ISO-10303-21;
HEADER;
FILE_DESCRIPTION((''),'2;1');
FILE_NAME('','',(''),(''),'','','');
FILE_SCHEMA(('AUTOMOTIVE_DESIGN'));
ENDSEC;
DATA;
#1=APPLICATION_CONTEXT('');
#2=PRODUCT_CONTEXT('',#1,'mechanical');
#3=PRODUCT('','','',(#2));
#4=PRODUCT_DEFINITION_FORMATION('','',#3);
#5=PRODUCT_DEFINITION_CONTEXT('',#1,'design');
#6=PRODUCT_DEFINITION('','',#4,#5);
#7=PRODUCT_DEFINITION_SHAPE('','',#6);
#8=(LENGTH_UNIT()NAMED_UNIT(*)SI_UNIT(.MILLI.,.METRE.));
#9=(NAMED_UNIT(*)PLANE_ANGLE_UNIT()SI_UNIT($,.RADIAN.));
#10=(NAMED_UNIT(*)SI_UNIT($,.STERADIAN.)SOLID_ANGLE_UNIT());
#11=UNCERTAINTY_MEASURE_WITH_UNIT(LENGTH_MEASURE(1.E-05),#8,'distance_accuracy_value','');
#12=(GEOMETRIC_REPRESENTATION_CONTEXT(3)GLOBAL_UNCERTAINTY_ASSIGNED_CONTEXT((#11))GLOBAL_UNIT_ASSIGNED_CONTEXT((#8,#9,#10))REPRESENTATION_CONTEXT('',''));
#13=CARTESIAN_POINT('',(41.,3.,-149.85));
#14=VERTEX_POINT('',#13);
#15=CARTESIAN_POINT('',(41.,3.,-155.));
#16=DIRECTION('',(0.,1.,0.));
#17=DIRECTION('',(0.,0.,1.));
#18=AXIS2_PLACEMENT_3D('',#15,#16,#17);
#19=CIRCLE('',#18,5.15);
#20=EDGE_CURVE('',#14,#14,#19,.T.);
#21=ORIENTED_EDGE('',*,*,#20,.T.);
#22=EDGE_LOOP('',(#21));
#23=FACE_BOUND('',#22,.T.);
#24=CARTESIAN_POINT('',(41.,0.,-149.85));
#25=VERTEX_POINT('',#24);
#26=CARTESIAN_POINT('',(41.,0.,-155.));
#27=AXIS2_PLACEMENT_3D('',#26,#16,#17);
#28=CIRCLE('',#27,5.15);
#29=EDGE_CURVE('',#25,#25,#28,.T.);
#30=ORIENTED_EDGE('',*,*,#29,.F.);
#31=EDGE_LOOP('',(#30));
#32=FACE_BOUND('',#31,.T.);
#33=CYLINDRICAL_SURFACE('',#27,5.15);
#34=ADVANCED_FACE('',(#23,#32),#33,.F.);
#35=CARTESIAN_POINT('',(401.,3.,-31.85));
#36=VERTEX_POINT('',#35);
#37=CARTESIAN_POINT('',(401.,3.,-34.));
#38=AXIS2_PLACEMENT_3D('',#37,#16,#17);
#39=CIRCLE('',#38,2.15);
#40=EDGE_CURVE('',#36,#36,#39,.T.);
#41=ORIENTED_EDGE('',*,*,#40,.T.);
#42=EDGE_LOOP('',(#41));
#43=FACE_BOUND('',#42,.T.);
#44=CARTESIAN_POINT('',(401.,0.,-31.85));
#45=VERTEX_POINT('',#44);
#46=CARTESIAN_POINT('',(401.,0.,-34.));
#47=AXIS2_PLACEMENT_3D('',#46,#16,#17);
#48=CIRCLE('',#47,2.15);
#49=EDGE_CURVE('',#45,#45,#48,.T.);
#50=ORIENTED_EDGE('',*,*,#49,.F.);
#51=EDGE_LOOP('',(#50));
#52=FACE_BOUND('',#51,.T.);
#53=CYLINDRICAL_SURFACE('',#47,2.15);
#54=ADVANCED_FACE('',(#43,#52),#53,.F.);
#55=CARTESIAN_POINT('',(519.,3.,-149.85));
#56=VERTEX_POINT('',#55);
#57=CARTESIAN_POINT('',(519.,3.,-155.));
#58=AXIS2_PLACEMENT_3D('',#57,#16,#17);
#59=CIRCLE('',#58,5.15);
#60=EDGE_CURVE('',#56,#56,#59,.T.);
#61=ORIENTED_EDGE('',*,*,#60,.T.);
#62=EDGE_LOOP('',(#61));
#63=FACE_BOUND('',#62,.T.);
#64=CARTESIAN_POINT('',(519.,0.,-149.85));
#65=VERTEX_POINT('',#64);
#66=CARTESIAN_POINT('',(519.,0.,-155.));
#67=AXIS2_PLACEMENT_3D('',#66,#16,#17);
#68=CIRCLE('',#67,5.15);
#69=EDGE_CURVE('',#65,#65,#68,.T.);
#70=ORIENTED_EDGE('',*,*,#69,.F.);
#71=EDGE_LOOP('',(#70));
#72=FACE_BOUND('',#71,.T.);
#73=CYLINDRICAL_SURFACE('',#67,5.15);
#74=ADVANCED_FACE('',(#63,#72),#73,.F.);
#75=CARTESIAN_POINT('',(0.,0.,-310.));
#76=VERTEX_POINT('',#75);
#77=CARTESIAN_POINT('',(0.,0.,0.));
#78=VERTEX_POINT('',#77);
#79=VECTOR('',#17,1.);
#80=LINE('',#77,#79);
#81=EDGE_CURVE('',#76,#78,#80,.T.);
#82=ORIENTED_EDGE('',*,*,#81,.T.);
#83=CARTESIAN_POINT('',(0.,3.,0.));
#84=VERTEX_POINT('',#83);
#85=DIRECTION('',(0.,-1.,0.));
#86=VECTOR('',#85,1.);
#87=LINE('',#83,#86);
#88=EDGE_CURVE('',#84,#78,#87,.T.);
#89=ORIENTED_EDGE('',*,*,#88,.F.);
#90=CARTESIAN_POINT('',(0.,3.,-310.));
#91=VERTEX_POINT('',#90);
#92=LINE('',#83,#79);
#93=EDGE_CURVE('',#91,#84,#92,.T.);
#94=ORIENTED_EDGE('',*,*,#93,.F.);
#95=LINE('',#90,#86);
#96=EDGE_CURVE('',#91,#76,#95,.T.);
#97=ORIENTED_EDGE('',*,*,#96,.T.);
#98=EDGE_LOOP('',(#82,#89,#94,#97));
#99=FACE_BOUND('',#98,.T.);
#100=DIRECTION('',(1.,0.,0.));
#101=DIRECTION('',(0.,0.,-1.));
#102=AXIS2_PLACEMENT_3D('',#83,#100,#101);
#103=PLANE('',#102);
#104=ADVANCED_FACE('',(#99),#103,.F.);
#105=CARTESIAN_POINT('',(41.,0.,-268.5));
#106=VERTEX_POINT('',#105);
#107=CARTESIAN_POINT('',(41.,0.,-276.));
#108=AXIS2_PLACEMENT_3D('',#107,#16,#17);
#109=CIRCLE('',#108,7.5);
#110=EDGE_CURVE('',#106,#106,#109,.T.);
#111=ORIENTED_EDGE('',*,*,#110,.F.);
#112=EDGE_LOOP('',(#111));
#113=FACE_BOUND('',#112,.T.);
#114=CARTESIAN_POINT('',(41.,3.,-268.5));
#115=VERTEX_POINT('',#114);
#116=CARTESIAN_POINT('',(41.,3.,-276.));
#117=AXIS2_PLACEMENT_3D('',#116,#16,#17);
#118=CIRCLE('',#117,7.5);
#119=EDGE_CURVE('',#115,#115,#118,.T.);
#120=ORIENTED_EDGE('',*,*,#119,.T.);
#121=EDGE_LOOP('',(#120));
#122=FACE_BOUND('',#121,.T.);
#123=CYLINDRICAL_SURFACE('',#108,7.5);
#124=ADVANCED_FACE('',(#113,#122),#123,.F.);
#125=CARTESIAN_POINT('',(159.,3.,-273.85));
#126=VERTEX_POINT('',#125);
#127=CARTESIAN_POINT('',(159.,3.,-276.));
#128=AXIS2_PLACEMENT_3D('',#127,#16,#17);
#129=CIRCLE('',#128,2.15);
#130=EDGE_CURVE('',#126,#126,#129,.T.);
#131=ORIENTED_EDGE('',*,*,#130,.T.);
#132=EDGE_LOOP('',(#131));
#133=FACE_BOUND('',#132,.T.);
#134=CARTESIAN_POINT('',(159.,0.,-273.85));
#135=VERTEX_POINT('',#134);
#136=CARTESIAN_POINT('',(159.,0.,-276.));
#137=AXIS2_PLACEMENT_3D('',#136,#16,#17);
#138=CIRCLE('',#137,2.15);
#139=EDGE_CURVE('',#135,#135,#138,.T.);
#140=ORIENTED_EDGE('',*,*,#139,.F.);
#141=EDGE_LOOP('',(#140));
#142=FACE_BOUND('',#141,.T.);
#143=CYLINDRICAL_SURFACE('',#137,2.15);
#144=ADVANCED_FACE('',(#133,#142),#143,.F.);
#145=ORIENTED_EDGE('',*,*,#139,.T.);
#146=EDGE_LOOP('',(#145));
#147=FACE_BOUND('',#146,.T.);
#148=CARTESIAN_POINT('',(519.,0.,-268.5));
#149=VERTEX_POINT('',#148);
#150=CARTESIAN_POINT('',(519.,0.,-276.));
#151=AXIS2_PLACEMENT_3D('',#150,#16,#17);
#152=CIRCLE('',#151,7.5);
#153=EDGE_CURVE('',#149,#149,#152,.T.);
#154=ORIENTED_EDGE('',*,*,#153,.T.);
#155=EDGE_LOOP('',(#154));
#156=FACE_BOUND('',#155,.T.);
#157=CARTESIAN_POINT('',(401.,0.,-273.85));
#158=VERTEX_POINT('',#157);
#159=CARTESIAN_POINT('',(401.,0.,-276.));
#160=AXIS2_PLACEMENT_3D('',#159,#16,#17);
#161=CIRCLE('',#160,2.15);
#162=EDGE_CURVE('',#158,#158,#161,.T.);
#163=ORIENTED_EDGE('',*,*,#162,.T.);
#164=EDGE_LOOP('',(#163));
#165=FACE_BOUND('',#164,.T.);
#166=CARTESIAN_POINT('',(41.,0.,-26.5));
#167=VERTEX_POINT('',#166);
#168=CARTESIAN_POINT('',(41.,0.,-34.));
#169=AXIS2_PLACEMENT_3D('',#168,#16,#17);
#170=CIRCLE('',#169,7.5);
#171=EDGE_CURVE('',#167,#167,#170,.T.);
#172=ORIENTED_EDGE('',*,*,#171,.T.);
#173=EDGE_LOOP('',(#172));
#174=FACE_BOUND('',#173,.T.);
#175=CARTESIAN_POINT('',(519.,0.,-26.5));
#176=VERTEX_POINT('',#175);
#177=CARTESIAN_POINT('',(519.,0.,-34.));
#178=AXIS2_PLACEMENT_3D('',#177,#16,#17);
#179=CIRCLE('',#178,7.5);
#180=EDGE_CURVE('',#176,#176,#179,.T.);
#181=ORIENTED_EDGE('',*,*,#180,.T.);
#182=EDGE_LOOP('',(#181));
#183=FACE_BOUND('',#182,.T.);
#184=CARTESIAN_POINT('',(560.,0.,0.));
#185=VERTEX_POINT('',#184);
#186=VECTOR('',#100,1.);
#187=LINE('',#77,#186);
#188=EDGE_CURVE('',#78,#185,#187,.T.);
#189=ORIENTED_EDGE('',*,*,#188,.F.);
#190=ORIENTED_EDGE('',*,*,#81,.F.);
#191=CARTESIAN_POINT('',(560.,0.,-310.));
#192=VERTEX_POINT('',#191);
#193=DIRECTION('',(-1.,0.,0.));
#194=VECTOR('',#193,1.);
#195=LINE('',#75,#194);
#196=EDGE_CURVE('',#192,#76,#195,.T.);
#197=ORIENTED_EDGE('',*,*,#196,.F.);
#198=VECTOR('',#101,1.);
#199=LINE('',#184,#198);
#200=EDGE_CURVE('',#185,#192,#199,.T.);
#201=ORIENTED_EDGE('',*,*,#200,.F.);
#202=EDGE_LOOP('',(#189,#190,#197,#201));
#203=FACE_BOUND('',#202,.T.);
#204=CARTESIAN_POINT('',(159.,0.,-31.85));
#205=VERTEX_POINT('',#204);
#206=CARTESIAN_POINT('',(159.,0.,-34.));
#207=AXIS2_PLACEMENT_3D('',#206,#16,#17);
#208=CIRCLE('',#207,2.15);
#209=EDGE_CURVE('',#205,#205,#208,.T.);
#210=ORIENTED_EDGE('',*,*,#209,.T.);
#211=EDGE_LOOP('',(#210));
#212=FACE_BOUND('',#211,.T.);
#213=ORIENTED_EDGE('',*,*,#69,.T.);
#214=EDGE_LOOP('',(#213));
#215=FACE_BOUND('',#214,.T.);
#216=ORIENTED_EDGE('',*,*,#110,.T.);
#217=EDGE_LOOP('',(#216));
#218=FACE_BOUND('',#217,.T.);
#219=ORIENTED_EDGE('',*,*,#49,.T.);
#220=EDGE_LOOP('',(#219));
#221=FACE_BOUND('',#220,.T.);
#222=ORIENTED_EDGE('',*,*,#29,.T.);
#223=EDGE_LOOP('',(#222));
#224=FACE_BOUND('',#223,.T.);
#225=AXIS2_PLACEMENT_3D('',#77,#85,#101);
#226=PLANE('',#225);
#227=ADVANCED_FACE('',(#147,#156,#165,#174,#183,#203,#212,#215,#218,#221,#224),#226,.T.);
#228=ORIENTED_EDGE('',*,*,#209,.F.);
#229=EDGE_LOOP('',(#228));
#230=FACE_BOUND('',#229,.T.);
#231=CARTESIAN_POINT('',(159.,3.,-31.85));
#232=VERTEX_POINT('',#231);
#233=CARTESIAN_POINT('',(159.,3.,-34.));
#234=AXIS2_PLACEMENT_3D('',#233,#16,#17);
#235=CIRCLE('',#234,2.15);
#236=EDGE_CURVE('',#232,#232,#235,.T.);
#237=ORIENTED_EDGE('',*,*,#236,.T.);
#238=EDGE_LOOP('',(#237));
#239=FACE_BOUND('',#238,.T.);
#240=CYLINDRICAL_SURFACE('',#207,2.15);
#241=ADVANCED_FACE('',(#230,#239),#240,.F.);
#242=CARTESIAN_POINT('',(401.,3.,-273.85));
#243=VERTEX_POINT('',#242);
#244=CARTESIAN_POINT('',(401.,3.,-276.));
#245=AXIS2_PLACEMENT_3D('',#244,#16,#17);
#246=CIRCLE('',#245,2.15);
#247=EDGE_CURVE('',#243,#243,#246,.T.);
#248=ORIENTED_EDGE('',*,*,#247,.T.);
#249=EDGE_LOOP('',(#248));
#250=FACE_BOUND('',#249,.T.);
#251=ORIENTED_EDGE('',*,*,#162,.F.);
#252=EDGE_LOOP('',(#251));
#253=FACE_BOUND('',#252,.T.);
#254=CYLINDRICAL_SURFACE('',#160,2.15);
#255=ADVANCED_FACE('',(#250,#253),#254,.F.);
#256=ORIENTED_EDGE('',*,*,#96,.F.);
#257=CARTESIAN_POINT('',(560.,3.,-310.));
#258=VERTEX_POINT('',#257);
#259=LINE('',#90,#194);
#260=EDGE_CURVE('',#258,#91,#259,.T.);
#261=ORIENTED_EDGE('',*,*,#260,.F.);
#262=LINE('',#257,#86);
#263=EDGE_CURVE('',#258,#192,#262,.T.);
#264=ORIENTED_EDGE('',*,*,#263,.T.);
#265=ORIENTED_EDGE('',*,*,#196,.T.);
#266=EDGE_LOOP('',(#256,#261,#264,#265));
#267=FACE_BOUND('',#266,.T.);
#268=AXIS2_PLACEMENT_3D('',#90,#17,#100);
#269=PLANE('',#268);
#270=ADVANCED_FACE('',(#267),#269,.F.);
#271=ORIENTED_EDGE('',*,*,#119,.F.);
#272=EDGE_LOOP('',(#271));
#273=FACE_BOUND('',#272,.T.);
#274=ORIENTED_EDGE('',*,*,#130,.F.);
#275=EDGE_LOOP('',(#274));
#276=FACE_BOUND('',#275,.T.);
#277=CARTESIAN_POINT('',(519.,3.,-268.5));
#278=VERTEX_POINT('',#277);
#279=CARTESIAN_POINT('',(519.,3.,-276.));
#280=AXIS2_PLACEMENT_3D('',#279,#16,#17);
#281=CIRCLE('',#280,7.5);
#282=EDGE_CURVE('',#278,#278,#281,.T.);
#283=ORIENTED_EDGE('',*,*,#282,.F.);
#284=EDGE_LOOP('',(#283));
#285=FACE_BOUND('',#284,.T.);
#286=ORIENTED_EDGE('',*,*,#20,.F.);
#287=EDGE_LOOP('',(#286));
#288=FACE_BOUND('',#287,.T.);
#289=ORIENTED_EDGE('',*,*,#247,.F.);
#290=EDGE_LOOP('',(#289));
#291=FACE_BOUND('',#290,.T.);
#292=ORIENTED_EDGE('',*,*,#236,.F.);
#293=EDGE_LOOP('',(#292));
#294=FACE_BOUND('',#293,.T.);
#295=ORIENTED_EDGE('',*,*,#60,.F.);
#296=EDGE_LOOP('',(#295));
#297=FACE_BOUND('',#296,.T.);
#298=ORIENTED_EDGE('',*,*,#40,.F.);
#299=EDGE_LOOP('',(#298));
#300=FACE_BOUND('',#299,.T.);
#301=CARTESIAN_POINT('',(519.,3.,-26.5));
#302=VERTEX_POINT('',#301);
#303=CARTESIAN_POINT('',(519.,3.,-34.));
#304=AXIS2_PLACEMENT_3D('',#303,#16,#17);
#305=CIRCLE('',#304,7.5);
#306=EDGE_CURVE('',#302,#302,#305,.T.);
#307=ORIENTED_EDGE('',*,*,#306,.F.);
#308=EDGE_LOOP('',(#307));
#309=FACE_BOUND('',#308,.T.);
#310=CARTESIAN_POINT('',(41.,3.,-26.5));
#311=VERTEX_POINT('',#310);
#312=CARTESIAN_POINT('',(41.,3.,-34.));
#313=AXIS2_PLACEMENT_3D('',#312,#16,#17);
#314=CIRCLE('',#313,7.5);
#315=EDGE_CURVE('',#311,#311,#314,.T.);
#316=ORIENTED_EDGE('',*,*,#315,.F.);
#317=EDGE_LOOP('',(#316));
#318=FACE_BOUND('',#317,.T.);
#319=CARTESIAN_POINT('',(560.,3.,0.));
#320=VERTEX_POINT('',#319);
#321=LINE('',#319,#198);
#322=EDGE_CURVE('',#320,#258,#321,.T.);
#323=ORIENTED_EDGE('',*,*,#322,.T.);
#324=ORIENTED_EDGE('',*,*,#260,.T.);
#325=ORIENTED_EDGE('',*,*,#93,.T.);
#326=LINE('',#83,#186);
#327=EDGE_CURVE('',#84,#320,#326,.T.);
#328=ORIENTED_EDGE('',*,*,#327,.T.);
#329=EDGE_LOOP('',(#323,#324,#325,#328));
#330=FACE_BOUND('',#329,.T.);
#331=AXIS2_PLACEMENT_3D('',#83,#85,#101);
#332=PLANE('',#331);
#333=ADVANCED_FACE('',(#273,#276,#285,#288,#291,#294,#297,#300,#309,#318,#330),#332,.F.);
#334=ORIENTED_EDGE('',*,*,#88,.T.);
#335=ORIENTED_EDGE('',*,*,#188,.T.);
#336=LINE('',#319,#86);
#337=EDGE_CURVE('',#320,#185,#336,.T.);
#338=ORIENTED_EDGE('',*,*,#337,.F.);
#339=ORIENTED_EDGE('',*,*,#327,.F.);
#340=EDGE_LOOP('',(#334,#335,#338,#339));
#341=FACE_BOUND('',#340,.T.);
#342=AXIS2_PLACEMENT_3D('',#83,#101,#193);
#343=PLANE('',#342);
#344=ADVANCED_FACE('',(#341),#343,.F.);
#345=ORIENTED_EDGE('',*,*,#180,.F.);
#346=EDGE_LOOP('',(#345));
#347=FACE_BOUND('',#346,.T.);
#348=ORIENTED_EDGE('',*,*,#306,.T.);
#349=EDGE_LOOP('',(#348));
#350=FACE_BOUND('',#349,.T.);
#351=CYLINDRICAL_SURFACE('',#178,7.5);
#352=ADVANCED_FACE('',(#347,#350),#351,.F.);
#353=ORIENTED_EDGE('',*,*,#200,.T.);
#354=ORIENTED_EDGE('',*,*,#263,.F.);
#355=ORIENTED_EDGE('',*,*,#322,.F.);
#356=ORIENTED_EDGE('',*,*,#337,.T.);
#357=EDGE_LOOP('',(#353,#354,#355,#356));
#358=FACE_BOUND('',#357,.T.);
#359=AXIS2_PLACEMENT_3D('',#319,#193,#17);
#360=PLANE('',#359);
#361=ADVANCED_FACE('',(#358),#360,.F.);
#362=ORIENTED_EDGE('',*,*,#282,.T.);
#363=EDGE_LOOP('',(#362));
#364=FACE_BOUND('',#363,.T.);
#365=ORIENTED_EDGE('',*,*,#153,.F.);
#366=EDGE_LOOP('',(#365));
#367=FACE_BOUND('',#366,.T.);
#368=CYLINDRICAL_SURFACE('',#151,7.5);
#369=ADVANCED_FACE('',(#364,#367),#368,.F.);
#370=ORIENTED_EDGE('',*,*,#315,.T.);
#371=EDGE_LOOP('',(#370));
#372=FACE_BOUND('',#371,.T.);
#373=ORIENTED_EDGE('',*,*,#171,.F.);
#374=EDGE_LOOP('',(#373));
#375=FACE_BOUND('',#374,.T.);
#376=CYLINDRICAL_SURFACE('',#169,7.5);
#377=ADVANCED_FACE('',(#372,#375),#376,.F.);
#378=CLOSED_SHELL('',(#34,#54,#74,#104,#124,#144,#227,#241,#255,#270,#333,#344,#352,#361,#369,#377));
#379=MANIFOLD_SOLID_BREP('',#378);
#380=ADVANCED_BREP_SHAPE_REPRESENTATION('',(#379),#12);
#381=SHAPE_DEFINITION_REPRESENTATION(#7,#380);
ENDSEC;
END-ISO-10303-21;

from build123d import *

# Parameters (mm, degrees)
SKETCH2_W           = 560
SKETCH2_H           = 310
BOSS_EXTRUDE1_DEPTH = 3
SKETCH3_R           = 2.15
CUT_EXTRUDE1_DEPTH  = 641.085150585
SKETCH4_R           = 5.15
CUT_EXTRUDE2_DEPTH  = 641.085150585
SKETCH5_R           = 7.5
CUT_EXTRUDE3_DEPTH  = 641.085150585


with BuildPart() as part:
    # Sketch2 → Boss-Extrude1 (new body)
    with BuildSketch(Plane(origin=(0, 0, 0), x_dir=(1, 0, 0), z_dir=(0, 1, 0))):
        with Locations((280, 155)):
            Rectangle(SKETCH2_W, SKETCH2_H)
    extrude(amount=BOSS_EXTRUDE1_DEPTH)

    # Sketch3 → Cut-Extrude1 (cut, through all)
    with BuildSketch(Plane(origin=(0, 3, 0), x_dir=(1, 0, 0), z_dir=(0, 1, 0))):
        with Locations(Location((159, 276, 0), (0, 0, 270))):
            Circle(SKETCH3_R)
        with Locations(Location((401, 276, 0), (0, 0, 270))):
            Circle(SKETCH3_R)
        with Locations(Location((401, 34, 0), (0, 0, 270))):
            Circle(SKETCH3_R)
        with Locations(Location((159, 34, 0), (0, 0, 270))):
            Circle(SKETCH3_R)
    extrude(amount=-CUT_EXTRUDE1_DEPTH, mode=Mode.SUBTRACT)

    # Sketch4 → Cut-Extrude2 (cut, through all)
    with BuildSketch(Plane(origin=(0, 3, 0), x_dir=(1, 0, 0), z_dir=(0, 1, 0))):
        with Locations(Location((41, 155, 0), (0, 0, 270))):
            Circle(SKETCH4_R)
        with Locations(Location((519, 155, 0), (0, 0, 270))):
            Circle(SKETCH4_R)
    extrude(amount=-CUT_EXTRUDE2_DEPTH, mode=Mode.SUBTRACT)

    # Sketch5 → Cut-Extrude3 (cut, through all)
    with BuildSketch(Plane(origin=(0, 3, 0), x_dir=(1, 0, 0), z_dir=(0, 1, 0))):
        with Locations(Location((41, 34, 0), (0, 0, 270))):
            Circle(SKETCH5_R)
        with Locations(Location((41, 276, 0), (0, 0, 270))):
            Circle(SKETCH5_R)
        with Locations(Location((519, 276, 0), (0, 0, 270))):
            Circle(SKETCH5_R)
        with Locations(Location((519, 34, 0), (0, 0, 270))):
            Circle(SKETCH5_R)
    extrude(amount=-CUT_EXTRUDE3_DEPTH, mode=Mode.SUBTRACT)


solid = part.part
